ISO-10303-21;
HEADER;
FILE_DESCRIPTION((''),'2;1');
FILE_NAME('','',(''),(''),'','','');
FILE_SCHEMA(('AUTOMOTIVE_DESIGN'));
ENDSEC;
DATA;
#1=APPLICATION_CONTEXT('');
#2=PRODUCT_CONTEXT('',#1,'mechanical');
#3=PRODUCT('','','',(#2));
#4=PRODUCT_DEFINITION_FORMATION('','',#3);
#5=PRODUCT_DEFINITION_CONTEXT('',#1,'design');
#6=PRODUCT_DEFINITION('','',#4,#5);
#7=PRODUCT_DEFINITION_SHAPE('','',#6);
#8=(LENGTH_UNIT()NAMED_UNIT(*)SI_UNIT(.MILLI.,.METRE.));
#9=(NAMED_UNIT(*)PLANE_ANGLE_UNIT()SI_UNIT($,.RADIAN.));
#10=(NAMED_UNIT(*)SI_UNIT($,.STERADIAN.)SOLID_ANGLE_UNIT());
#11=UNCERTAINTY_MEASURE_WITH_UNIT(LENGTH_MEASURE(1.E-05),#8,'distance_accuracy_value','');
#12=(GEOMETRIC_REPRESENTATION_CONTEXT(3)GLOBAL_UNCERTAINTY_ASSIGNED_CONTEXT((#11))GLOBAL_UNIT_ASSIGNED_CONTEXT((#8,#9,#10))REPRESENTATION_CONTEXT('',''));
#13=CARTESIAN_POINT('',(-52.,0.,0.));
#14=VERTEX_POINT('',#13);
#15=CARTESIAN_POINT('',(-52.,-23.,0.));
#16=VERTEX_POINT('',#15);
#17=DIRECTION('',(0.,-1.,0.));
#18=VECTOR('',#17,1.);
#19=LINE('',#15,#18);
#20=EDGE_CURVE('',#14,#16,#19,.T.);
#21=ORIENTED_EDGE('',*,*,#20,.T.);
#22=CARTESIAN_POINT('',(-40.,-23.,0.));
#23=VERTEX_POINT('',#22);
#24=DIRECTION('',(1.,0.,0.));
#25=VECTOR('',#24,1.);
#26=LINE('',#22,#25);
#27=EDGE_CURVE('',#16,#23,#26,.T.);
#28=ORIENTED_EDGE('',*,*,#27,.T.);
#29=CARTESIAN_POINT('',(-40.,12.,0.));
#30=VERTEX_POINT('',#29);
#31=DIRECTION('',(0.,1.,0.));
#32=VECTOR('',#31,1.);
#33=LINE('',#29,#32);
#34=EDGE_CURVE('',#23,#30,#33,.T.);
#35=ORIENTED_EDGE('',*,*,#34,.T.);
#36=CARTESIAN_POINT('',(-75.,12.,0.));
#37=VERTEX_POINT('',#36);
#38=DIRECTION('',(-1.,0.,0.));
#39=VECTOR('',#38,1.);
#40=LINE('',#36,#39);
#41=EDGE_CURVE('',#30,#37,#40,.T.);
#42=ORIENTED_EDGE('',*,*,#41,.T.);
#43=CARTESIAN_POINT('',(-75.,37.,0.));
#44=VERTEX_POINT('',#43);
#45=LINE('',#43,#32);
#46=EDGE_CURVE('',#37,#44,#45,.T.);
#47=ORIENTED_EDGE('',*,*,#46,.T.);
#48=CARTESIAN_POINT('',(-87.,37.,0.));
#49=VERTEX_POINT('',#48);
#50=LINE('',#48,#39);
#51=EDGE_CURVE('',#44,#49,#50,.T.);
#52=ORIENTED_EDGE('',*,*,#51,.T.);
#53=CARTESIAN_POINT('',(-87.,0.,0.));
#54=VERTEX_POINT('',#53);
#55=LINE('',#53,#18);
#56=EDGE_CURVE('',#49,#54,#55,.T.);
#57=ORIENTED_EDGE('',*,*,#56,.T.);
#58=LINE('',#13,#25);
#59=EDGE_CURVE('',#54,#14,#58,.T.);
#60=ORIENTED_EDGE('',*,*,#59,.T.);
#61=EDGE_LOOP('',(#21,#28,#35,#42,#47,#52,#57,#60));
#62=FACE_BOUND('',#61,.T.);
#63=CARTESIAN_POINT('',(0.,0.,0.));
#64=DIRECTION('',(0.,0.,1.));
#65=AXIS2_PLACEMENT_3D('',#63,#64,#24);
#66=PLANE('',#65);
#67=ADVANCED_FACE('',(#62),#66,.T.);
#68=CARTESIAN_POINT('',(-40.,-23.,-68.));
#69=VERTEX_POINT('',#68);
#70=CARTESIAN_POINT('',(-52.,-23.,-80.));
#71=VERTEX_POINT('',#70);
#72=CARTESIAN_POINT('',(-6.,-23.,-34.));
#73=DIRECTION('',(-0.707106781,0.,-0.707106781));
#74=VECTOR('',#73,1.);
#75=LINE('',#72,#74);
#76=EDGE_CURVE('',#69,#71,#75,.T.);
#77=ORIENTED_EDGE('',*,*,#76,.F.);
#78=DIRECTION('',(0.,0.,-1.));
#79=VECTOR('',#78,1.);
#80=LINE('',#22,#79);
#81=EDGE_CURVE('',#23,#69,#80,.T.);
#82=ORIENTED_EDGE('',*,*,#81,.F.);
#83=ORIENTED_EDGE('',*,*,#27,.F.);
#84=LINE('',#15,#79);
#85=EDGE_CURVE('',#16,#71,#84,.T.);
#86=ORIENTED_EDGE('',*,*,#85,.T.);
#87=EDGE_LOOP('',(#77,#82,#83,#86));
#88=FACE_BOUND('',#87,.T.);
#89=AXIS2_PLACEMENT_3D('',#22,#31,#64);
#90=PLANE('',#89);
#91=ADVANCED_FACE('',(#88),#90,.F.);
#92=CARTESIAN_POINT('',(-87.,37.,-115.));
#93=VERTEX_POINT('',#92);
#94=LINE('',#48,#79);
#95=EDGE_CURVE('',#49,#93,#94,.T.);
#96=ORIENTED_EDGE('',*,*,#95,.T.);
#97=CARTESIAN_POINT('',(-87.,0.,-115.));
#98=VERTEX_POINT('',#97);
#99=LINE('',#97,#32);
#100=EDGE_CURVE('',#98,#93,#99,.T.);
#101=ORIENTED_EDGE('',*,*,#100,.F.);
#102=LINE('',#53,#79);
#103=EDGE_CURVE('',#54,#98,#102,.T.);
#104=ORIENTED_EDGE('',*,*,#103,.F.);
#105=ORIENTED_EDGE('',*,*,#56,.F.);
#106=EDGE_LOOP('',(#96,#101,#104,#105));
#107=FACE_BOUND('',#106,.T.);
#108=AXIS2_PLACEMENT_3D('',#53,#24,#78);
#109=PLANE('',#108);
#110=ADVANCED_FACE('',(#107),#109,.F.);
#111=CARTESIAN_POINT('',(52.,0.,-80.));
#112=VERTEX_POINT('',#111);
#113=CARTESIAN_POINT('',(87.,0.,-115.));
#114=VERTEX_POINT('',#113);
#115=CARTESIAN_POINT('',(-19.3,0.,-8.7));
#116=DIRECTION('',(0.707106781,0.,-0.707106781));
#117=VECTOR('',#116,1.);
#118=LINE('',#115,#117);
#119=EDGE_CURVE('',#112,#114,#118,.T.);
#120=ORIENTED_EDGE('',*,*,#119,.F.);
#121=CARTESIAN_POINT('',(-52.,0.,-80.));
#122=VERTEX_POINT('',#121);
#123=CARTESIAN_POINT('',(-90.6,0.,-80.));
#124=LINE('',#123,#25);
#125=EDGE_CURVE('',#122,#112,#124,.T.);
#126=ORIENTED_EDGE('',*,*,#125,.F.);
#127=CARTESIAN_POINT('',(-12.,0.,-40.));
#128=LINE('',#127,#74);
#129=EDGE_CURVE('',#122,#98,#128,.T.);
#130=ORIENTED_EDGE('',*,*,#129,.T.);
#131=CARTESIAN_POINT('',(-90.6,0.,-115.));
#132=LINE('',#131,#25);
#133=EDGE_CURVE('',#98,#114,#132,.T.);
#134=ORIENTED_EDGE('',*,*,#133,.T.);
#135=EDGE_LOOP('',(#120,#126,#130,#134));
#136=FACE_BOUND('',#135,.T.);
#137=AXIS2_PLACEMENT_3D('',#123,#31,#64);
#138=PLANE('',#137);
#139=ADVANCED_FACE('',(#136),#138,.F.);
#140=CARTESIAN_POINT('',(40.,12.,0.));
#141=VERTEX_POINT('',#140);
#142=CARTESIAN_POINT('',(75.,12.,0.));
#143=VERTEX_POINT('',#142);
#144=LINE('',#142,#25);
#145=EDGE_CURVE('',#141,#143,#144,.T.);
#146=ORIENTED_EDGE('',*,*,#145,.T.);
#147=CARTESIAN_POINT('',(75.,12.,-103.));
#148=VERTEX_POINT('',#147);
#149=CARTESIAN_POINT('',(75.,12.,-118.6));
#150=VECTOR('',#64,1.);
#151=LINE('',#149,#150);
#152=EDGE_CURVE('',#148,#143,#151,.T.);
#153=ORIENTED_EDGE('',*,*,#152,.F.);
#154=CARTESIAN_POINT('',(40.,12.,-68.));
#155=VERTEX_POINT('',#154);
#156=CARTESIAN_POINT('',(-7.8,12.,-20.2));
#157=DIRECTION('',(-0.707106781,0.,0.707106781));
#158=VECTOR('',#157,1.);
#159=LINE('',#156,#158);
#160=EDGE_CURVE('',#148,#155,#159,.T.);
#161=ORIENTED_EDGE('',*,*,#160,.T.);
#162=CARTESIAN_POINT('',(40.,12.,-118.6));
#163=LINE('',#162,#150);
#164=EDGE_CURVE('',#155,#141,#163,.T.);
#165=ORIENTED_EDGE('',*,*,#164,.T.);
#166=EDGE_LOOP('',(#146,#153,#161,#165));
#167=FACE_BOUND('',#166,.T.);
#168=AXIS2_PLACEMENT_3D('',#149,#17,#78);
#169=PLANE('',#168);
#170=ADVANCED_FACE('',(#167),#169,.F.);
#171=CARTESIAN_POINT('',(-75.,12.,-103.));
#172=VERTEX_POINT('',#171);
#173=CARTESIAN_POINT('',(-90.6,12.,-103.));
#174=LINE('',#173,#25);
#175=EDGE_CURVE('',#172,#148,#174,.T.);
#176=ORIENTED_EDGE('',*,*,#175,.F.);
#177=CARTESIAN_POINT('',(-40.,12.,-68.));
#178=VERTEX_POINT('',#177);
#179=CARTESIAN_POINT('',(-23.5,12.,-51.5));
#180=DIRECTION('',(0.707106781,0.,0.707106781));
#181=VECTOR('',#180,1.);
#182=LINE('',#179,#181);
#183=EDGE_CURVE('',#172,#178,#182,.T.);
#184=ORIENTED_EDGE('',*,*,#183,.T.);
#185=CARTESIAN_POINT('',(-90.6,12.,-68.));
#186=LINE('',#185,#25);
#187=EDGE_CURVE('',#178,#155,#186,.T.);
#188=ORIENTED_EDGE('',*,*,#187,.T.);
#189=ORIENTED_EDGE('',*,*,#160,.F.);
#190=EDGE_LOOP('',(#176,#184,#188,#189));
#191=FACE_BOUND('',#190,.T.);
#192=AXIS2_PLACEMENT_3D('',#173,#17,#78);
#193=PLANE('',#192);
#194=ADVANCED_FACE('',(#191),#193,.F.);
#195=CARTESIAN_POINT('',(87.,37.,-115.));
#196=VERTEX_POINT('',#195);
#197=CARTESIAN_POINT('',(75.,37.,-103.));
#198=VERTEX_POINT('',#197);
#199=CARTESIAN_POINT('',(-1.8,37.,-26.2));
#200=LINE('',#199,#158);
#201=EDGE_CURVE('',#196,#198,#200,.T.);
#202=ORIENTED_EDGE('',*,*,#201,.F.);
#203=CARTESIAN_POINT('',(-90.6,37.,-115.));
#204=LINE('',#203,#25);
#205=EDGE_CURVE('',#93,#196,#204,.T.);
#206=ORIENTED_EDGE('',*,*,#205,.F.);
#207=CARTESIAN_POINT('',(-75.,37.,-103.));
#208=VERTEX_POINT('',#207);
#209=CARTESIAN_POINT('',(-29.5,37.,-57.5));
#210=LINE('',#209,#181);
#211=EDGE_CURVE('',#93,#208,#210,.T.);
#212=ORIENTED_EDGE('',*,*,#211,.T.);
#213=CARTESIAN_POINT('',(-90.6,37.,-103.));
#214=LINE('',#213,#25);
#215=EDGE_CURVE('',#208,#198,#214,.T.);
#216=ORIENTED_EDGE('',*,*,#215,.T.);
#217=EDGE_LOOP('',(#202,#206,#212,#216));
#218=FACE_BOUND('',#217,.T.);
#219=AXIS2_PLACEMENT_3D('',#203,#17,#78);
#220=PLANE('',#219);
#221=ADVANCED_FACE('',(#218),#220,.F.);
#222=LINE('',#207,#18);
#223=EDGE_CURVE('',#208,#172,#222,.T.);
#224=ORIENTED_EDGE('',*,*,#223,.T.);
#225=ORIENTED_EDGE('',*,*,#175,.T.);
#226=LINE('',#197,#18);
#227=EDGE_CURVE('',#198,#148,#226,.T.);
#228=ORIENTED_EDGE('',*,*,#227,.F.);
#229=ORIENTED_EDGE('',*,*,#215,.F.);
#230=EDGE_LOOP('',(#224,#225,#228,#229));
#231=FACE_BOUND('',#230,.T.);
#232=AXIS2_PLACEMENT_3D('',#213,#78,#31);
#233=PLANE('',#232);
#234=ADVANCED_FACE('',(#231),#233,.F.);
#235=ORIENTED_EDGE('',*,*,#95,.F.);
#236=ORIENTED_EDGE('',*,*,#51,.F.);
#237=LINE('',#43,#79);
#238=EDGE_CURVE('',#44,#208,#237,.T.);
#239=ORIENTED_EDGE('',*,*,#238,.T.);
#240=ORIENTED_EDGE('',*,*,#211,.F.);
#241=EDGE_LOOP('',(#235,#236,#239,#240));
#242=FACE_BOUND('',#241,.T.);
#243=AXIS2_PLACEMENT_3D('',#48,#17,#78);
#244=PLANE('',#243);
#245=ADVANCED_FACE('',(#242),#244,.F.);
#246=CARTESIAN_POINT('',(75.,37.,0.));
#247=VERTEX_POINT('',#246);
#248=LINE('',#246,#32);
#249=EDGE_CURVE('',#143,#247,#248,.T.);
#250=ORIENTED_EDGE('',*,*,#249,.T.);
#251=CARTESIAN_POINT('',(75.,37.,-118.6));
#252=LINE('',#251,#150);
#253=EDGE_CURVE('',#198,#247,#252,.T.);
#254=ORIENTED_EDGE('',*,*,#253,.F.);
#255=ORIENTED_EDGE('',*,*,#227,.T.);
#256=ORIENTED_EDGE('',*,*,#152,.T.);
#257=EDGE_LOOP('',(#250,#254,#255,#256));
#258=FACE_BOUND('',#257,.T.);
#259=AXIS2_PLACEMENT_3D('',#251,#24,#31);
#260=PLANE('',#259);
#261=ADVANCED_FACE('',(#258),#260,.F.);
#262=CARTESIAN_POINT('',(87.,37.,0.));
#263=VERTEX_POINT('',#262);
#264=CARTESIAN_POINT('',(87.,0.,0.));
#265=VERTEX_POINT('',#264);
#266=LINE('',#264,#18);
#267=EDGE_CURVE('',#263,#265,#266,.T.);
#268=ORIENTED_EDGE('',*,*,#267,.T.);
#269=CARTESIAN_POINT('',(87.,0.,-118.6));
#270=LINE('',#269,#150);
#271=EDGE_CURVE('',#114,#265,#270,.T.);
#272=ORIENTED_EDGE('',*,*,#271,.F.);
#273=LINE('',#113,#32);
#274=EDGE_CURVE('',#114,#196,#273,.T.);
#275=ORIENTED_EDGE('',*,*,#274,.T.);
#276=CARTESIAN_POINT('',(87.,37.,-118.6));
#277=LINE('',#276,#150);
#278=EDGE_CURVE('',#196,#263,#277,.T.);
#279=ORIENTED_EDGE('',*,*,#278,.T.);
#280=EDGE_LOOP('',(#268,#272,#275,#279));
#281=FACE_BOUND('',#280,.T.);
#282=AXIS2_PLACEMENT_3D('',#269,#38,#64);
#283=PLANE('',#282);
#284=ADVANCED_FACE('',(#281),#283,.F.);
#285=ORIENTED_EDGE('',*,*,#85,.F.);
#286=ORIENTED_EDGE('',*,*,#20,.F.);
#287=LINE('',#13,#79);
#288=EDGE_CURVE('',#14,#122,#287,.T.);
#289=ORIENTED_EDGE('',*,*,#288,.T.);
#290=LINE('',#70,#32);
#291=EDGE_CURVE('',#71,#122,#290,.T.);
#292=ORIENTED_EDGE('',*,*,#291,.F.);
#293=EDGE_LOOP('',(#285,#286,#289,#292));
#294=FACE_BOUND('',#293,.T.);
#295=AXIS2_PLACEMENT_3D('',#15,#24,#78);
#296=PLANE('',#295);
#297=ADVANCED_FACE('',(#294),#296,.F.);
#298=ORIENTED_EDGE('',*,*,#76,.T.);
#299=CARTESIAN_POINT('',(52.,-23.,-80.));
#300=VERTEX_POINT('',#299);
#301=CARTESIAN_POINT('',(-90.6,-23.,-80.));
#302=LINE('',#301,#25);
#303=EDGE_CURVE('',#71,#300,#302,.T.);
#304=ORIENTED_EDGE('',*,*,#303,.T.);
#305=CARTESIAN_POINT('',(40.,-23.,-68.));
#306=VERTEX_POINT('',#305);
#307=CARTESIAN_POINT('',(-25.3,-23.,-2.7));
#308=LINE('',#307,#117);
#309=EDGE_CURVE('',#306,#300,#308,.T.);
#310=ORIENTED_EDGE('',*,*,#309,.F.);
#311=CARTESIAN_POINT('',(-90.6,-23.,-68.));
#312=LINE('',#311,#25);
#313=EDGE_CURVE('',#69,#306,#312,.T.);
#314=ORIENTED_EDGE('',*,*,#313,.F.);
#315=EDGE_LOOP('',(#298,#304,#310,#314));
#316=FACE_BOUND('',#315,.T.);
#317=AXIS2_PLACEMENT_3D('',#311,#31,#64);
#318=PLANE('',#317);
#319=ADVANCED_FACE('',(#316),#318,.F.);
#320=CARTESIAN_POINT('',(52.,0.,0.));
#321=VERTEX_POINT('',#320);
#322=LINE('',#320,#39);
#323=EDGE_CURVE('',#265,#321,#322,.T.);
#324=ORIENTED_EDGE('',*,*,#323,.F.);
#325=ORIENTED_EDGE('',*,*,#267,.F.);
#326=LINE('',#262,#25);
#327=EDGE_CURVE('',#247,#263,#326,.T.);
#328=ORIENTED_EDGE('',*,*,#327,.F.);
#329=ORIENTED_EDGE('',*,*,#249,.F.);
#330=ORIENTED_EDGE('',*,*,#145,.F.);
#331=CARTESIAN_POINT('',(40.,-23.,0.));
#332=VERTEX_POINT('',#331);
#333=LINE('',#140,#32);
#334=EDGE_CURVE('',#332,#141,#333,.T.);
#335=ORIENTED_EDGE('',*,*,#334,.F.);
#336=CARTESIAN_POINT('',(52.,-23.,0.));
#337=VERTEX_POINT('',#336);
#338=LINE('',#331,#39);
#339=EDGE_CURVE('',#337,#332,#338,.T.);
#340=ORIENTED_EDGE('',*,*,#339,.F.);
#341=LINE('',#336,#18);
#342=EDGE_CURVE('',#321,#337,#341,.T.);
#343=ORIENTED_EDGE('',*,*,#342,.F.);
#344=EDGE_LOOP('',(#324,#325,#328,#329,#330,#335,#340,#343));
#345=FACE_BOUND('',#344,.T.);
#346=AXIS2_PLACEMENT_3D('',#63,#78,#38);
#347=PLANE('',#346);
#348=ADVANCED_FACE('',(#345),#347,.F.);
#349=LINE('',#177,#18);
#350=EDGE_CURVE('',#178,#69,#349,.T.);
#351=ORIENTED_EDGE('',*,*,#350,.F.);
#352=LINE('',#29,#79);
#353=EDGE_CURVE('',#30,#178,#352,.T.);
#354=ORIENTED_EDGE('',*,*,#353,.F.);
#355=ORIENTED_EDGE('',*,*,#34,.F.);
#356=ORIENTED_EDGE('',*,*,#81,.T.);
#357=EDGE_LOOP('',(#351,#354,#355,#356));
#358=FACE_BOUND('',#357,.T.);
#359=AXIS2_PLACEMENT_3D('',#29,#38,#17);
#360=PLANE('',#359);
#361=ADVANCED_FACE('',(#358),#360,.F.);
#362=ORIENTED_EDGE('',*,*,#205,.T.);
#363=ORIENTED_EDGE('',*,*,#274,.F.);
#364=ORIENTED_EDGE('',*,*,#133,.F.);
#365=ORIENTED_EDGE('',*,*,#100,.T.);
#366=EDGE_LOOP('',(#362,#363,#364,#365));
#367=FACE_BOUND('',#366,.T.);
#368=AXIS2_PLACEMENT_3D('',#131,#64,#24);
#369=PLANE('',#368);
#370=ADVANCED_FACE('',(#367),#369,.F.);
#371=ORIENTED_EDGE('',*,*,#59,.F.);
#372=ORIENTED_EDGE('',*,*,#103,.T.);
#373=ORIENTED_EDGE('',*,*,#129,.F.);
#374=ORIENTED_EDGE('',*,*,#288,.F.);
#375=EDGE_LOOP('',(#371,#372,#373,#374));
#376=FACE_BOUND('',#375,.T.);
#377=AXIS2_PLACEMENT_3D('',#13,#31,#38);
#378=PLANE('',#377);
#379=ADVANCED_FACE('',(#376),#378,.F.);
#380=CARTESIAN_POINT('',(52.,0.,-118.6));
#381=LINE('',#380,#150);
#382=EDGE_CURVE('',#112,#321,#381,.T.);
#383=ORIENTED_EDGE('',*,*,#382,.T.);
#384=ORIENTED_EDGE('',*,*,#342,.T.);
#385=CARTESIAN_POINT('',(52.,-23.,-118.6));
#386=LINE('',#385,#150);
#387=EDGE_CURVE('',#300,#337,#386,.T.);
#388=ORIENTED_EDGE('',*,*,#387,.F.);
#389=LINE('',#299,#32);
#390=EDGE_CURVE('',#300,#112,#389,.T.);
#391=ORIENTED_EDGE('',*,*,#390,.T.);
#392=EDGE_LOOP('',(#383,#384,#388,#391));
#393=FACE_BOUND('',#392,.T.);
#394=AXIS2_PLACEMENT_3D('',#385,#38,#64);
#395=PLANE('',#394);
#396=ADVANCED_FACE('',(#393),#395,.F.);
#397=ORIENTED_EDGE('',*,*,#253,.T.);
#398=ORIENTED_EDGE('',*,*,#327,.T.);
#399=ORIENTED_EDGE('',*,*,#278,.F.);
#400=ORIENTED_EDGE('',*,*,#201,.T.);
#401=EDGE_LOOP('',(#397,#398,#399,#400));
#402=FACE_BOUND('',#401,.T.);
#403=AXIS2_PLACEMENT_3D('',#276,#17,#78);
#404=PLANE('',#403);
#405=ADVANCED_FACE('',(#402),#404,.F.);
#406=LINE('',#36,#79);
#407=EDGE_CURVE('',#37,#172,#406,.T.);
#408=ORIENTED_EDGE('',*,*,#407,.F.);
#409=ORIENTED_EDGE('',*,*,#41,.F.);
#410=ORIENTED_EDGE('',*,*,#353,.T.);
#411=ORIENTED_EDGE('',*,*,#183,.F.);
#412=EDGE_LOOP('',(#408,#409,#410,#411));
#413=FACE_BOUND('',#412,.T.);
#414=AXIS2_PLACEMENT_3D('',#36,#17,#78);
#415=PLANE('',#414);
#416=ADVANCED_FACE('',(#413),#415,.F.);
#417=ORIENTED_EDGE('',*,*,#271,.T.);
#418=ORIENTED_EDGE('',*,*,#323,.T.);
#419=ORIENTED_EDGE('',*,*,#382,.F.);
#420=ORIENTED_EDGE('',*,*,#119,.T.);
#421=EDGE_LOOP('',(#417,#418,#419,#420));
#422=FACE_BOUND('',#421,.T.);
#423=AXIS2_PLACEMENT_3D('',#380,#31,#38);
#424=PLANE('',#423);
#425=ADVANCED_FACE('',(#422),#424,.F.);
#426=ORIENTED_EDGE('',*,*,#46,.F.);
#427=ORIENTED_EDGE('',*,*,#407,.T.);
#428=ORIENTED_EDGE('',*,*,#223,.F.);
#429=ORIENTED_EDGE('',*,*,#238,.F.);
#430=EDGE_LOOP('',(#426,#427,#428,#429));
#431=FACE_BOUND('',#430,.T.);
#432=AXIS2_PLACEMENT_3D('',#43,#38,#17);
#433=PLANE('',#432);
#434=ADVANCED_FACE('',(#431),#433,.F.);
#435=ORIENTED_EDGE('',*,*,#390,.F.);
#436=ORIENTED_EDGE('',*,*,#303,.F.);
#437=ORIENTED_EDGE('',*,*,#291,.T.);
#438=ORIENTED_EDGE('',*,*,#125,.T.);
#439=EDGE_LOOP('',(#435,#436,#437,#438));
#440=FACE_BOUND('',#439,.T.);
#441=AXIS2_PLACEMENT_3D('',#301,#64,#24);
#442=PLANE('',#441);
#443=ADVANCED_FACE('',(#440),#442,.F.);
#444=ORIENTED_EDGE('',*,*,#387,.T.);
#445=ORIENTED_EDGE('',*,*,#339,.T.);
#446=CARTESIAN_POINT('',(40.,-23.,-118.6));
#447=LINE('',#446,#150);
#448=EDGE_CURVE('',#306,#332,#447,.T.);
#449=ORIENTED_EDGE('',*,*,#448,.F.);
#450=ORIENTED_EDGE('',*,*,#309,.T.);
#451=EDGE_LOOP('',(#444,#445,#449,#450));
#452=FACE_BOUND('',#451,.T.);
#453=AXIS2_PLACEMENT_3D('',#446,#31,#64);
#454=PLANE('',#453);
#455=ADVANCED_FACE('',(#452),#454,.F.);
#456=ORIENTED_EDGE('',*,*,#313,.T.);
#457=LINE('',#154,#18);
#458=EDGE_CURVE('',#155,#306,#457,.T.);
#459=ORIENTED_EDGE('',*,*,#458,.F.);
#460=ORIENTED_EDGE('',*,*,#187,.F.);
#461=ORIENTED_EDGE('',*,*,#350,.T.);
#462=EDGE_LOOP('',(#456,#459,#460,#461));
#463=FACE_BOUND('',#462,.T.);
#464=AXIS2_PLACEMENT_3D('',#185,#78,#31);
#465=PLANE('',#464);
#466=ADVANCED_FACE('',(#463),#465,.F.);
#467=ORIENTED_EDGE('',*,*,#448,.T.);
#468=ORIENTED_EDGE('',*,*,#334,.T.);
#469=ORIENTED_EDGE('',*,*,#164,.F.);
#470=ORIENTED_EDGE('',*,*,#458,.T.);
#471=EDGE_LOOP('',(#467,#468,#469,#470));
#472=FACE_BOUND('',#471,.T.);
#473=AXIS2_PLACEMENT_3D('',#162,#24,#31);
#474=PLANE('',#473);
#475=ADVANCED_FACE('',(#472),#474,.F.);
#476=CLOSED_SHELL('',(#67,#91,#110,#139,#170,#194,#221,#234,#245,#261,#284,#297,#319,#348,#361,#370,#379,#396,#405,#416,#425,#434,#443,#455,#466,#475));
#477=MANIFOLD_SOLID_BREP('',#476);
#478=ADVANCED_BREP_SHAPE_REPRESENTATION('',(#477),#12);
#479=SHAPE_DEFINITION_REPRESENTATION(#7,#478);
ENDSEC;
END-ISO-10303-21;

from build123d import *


with BuildPart() as part:
    # Sweep1: sweep along a path in Sketch2
    with BuildLine(Plane(origin=(0, 0, 0), x_dir=(1, 0, 0), z_dir=(0, 1, 0))) as sweep1_path:
        Line((-52, 0), (-52, 80))
        Line((-52, 80), (52, 80))
        Line((52, 80), (52, 0))
    # Sketch3 → Sweep1 (sweep)
    with BuildSketch(Plane.XY):
        Polygon((-52, 0), (-87, 0), (-87, 37), (-75, 37), (-75, 12), (-40, 12), (-40, -23), (-52, -23), align=None)
    sweep(path=sweep1_path.line, transition=Transition.RIGHT)


solid = part.part
